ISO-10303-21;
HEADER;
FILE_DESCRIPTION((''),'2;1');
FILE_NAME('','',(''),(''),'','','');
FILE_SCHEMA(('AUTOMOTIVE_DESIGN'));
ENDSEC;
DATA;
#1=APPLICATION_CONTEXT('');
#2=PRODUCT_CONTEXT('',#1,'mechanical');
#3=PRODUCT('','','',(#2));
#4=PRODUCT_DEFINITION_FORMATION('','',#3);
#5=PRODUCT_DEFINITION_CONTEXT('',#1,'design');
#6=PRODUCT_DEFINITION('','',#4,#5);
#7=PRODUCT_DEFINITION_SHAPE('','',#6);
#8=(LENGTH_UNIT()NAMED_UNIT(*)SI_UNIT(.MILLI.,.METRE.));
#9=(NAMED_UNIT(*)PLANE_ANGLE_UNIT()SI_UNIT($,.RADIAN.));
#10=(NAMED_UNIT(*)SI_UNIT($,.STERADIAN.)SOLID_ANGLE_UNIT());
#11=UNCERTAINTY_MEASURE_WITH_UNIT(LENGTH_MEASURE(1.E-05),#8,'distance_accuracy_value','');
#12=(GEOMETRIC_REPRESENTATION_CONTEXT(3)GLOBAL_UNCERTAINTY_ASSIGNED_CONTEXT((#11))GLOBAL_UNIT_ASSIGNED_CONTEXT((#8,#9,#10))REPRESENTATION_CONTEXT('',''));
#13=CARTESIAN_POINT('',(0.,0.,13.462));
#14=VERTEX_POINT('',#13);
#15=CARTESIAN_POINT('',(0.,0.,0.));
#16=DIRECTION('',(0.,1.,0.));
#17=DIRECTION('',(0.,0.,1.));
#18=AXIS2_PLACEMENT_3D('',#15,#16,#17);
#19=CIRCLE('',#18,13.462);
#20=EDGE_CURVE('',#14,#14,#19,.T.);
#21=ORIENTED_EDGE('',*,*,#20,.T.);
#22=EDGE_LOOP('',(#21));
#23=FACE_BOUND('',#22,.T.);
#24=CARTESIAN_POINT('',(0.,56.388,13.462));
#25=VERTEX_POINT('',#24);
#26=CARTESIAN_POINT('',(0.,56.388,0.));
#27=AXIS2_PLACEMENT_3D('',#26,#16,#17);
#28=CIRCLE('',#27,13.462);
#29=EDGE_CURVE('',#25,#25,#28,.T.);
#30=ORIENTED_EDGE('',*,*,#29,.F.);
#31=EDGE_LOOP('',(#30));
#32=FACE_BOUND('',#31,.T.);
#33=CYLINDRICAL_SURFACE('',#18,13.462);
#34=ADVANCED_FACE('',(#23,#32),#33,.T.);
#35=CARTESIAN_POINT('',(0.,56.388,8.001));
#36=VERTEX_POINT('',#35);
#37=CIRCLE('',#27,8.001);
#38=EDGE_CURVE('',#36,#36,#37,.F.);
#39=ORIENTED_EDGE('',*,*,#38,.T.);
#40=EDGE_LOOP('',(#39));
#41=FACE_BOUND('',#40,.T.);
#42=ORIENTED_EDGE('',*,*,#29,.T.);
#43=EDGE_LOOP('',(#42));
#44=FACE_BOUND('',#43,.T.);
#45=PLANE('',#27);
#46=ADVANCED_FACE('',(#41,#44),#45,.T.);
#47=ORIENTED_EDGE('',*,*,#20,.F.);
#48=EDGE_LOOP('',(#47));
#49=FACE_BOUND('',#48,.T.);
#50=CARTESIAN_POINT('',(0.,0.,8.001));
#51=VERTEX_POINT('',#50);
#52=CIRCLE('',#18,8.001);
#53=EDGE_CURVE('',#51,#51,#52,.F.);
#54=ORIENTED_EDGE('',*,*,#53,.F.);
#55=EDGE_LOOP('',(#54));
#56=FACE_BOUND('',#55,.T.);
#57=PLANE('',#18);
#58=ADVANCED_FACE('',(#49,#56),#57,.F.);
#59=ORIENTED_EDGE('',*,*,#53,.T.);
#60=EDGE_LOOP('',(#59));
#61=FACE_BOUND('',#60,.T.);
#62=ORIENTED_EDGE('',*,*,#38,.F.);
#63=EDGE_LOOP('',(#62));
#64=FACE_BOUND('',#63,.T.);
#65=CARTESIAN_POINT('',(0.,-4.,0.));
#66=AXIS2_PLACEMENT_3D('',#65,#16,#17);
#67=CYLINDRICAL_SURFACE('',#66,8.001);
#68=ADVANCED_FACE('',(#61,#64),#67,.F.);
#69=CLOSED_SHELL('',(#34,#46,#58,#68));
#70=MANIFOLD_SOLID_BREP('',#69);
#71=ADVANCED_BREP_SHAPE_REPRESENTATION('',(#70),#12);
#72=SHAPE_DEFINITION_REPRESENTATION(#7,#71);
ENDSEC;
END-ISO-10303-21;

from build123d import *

# Parameters (mm, degrees)
SWEEP1_PROFILE_R     = 13.462
CUT_SWEEP1_PROFILE_R = 8.001


with BuildPart() as part:
    # Sweep1: sweep along a path in Sketch1
    with BuildLine(Plane.XY) as sweep1_path:
        Line((0, 0), (0, 56.388))
    # Sweep1 profile (on start of the path) → Sweep1 (sweep)
    with BuildSketch(Plane.ZX):
        Circle(SWEEP1_PROFILE_R)
    sweep(path=sweep1_path.line)

    # Cut-Sweep1: sweep along a path in Sketch1<3>
    with BuildLine(Plane.XY) as cut_sweep1_path:
        Line((0, 0), (0, 56.388))
    # Cut-Sweep1 profile (on start of the path) → Cut-Sweep1 (sweep, cut)
    with BuildSketch(Plane.ZX):
        Circle(CUT_SWEEP1_PROFILE_R)
    sweep(path=cut_sweep1_path.line, mode=Mode.SUBTRACT)


solid = part.part
